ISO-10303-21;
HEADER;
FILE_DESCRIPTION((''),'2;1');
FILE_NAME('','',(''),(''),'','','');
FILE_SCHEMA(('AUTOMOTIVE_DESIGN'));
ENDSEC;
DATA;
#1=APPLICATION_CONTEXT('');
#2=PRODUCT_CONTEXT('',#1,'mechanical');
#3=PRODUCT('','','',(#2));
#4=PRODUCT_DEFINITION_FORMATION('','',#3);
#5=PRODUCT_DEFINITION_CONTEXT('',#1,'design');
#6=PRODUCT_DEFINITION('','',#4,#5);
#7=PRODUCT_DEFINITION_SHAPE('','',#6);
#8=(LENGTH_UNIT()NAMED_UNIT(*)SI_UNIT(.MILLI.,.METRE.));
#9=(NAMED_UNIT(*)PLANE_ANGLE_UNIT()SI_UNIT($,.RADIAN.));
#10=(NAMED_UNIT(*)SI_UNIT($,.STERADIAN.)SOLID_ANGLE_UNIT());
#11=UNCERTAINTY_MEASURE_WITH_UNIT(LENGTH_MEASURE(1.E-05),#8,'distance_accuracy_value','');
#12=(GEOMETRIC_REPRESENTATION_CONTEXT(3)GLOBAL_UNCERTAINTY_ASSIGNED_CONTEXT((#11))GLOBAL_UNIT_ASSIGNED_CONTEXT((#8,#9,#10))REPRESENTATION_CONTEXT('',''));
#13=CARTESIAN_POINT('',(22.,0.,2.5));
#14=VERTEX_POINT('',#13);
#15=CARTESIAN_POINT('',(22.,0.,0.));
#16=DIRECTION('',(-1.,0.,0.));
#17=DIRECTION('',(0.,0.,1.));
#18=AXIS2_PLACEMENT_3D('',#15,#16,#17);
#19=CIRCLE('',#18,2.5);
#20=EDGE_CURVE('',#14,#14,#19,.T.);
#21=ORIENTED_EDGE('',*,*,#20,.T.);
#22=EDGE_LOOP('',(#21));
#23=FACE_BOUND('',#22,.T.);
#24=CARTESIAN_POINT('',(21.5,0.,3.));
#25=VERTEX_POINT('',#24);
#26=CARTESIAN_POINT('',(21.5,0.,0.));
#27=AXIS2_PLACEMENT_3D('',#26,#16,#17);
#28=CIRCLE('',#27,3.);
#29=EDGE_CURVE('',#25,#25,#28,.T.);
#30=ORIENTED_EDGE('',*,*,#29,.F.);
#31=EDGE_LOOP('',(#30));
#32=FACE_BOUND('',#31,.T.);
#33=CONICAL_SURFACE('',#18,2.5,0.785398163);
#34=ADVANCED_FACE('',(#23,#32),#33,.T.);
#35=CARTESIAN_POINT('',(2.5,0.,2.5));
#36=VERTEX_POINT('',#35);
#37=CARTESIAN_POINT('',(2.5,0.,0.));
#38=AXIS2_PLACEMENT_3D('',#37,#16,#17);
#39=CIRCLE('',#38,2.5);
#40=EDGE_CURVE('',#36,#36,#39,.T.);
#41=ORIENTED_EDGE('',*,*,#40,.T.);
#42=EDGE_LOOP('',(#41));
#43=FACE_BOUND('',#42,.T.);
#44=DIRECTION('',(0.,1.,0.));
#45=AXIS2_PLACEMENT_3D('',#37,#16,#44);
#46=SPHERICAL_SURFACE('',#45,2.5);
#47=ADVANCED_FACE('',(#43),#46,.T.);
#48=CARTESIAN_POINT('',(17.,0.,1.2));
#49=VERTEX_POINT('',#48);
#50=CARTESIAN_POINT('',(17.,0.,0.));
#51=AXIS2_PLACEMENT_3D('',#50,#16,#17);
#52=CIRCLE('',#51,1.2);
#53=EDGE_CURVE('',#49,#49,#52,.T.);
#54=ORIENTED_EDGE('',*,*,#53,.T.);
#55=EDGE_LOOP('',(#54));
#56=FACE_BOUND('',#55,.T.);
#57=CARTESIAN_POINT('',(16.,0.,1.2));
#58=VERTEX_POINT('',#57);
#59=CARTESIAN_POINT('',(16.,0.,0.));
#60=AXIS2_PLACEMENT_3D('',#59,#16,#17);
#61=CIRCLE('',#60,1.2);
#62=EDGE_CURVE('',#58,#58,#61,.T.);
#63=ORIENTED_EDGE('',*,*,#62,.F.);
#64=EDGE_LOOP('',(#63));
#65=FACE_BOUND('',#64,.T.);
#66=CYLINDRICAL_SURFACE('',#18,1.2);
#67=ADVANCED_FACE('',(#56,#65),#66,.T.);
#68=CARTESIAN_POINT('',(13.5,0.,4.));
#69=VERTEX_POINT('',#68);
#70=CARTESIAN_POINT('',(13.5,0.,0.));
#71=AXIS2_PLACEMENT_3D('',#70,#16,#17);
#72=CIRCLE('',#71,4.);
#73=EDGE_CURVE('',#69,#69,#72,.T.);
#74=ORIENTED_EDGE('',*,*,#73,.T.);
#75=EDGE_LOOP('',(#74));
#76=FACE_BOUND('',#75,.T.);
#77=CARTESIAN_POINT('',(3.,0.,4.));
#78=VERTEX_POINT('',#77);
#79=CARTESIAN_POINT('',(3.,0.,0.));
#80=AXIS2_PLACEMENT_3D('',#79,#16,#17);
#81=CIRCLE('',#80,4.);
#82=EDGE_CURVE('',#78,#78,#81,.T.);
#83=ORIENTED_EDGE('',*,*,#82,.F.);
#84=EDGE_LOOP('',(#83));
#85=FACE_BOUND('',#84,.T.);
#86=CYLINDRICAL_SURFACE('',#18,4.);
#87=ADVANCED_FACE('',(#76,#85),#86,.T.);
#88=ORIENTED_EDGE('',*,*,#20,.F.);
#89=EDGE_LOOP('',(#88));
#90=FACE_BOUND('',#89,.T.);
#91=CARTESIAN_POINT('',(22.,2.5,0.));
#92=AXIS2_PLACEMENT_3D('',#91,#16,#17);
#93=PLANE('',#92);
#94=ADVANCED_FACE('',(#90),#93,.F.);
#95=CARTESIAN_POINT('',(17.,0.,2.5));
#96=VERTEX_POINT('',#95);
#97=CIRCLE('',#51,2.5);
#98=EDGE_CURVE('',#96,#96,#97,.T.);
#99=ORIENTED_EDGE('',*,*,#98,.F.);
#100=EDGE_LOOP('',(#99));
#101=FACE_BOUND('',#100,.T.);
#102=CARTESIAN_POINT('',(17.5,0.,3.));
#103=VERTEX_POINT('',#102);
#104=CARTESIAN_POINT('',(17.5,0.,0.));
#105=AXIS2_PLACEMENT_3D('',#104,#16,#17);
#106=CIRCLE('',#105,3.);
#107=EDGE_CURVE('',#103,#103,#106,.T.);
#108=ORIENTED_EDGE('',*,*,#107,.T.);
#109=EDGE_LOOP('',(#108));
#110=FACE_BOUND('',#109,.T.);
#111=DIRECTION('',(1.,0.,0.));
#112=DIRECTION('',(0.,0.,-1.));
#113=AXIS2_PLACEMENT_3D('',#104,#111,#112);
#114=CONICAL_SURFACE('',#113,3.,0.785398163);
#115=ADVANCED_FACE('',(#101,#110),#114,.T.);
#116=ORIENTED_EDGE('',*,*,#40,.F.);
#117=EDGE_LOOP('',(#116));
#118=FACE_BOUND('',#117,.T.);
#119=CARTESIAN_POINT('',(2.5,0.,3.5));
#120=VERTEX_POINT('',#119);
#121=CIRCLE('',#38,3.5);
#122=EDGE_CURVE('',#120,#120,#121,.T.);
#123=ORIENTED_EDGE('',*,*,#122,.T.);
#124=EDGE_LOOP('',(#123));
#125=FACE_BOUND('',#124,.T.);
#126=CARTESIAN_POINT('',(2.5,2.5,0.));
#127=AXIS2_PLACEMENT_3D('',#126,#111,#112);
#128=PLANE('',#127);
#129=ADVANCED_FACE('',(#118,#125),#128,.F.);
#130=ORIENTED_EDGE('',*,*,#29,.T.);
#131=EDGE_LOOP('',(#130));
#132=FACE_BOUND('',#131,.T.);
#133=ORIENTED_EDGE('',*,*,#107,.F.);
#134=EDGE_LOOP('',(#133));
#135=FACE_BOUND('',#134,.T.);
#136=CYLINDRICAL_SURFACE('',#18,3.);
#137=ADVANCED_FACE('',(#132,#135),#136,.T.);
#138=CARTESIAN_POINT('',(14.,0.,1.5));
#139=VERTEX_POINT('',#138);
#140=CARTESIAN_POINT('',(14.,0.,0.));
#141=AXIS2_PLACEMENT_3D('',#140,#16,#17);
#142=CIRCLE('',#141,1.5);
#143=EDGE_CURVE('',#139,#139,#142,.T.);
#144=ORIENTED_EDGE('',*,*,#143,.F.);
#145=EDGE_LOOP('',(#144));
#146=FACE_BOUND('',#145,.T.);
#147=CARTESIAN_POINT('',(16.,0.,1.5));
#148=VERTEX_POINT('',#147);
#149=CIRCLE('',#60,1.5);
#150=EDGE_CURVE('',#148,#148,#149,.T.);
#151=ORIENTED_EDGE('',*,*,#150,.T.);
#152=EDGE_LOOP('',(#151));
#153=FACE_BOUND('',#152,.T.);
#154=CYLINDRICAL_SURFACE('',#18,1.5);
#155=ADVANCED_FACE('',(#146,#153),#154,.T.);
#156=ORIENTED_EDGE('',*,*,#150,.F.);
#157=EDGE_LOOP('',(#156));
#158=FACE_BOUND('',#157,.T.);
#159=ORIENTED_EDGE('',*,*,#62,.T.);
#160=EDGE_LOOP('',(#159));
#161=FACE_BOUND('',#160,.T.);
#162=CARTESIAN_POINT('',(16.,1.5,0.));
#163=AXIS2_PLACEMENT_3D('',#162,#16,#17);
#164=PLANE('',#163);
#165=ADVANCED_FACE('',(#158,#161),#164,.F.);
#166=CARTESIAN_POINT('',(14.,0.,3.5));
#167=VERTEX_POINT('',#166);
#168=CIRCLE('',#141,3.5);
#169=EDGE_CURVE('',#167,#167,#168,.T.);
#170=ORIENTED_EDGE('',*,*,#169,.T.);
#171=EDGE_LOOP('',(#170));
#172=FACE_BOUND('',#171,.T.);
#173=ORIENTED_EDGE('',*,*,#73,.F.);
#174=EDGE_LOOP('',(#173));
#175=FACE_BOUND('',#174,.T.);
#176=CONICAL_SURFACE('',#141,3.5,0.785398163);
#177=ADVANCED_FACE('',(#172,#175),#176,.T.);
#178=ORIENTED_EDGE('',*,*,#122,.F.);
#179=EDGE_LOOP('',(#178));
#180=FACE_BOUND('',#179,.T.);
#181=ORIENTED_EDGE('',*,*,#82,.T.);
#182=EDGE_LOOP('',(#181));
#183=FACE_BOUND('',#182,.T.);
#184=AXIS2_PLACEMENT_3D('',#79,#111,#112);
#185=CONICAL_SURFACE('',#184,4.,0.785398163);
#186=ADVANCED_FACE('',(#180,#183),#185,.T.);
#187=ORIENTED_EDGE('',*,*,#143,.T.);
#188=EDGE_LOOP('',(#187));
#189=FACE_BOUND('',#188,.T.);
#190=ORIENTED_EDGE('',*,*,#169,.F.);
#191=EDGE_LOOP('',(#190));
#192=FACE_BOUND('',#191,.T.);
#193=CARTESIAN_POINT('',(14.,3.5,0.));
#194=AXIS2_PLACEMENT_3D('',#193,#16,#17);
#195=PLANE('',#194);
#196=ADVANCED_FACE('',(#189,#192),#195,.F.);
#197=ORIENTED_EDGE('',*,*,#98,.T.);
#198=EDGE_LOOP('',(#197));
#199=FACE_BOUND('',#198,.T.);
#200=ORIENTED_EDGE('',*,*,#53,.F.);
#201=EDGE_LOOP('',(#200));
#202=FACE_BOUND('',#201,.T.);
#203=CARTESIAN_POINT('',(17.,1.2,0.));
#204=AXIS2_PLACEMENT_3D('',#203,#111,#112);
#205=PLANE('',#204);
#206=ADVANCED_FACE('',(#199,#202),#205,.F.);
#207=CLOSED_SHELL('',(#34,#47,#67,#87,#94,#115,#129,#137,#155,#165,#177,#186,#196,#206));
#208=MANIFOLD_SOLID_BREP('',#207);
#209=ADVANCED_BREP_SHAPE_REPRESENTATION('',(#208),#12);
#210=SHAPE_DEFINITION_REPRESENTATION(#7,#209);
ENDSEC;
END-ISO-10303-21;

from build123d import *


with BuildPart() as part:
    # 草图1 → 旋转1 (revolve)
    with BuildSketch(Plane.XY):
        with BuildLine():
            Line((2.5, 2.5), (2.5, 3.5))
            Line((2.5, 3.5), (3, 4))
            Line((3, 4), (13.5, 4))
            Line((13.5, 4), (14, 3.5))
            Line((14, 3.5), (14, 1.5))
            Line((14, 1.5), (16, 1.5))
            Line((16, 1.5), (16, 1.2))
            Line((16, 1.2), (17, 1.2))
            Line((17, 1.2), (17, 2.5))
            Line((17, 2.5), (17.5, 3))
            Line((17.5, 3), (21.5, 3))
            Line((21.5, 3), (22, 2.5))
            Line((22, 2.5), (22, 0))
            Line((22, 0), (0, 0))
            ThreePointArc((0, 0), (0.732233047, 1.767766953), (2.5, 2.5))
        make_face()
    revolve(axis=Axis((22, 0, 0), (-1, 0, 0)))


solid = part.part
